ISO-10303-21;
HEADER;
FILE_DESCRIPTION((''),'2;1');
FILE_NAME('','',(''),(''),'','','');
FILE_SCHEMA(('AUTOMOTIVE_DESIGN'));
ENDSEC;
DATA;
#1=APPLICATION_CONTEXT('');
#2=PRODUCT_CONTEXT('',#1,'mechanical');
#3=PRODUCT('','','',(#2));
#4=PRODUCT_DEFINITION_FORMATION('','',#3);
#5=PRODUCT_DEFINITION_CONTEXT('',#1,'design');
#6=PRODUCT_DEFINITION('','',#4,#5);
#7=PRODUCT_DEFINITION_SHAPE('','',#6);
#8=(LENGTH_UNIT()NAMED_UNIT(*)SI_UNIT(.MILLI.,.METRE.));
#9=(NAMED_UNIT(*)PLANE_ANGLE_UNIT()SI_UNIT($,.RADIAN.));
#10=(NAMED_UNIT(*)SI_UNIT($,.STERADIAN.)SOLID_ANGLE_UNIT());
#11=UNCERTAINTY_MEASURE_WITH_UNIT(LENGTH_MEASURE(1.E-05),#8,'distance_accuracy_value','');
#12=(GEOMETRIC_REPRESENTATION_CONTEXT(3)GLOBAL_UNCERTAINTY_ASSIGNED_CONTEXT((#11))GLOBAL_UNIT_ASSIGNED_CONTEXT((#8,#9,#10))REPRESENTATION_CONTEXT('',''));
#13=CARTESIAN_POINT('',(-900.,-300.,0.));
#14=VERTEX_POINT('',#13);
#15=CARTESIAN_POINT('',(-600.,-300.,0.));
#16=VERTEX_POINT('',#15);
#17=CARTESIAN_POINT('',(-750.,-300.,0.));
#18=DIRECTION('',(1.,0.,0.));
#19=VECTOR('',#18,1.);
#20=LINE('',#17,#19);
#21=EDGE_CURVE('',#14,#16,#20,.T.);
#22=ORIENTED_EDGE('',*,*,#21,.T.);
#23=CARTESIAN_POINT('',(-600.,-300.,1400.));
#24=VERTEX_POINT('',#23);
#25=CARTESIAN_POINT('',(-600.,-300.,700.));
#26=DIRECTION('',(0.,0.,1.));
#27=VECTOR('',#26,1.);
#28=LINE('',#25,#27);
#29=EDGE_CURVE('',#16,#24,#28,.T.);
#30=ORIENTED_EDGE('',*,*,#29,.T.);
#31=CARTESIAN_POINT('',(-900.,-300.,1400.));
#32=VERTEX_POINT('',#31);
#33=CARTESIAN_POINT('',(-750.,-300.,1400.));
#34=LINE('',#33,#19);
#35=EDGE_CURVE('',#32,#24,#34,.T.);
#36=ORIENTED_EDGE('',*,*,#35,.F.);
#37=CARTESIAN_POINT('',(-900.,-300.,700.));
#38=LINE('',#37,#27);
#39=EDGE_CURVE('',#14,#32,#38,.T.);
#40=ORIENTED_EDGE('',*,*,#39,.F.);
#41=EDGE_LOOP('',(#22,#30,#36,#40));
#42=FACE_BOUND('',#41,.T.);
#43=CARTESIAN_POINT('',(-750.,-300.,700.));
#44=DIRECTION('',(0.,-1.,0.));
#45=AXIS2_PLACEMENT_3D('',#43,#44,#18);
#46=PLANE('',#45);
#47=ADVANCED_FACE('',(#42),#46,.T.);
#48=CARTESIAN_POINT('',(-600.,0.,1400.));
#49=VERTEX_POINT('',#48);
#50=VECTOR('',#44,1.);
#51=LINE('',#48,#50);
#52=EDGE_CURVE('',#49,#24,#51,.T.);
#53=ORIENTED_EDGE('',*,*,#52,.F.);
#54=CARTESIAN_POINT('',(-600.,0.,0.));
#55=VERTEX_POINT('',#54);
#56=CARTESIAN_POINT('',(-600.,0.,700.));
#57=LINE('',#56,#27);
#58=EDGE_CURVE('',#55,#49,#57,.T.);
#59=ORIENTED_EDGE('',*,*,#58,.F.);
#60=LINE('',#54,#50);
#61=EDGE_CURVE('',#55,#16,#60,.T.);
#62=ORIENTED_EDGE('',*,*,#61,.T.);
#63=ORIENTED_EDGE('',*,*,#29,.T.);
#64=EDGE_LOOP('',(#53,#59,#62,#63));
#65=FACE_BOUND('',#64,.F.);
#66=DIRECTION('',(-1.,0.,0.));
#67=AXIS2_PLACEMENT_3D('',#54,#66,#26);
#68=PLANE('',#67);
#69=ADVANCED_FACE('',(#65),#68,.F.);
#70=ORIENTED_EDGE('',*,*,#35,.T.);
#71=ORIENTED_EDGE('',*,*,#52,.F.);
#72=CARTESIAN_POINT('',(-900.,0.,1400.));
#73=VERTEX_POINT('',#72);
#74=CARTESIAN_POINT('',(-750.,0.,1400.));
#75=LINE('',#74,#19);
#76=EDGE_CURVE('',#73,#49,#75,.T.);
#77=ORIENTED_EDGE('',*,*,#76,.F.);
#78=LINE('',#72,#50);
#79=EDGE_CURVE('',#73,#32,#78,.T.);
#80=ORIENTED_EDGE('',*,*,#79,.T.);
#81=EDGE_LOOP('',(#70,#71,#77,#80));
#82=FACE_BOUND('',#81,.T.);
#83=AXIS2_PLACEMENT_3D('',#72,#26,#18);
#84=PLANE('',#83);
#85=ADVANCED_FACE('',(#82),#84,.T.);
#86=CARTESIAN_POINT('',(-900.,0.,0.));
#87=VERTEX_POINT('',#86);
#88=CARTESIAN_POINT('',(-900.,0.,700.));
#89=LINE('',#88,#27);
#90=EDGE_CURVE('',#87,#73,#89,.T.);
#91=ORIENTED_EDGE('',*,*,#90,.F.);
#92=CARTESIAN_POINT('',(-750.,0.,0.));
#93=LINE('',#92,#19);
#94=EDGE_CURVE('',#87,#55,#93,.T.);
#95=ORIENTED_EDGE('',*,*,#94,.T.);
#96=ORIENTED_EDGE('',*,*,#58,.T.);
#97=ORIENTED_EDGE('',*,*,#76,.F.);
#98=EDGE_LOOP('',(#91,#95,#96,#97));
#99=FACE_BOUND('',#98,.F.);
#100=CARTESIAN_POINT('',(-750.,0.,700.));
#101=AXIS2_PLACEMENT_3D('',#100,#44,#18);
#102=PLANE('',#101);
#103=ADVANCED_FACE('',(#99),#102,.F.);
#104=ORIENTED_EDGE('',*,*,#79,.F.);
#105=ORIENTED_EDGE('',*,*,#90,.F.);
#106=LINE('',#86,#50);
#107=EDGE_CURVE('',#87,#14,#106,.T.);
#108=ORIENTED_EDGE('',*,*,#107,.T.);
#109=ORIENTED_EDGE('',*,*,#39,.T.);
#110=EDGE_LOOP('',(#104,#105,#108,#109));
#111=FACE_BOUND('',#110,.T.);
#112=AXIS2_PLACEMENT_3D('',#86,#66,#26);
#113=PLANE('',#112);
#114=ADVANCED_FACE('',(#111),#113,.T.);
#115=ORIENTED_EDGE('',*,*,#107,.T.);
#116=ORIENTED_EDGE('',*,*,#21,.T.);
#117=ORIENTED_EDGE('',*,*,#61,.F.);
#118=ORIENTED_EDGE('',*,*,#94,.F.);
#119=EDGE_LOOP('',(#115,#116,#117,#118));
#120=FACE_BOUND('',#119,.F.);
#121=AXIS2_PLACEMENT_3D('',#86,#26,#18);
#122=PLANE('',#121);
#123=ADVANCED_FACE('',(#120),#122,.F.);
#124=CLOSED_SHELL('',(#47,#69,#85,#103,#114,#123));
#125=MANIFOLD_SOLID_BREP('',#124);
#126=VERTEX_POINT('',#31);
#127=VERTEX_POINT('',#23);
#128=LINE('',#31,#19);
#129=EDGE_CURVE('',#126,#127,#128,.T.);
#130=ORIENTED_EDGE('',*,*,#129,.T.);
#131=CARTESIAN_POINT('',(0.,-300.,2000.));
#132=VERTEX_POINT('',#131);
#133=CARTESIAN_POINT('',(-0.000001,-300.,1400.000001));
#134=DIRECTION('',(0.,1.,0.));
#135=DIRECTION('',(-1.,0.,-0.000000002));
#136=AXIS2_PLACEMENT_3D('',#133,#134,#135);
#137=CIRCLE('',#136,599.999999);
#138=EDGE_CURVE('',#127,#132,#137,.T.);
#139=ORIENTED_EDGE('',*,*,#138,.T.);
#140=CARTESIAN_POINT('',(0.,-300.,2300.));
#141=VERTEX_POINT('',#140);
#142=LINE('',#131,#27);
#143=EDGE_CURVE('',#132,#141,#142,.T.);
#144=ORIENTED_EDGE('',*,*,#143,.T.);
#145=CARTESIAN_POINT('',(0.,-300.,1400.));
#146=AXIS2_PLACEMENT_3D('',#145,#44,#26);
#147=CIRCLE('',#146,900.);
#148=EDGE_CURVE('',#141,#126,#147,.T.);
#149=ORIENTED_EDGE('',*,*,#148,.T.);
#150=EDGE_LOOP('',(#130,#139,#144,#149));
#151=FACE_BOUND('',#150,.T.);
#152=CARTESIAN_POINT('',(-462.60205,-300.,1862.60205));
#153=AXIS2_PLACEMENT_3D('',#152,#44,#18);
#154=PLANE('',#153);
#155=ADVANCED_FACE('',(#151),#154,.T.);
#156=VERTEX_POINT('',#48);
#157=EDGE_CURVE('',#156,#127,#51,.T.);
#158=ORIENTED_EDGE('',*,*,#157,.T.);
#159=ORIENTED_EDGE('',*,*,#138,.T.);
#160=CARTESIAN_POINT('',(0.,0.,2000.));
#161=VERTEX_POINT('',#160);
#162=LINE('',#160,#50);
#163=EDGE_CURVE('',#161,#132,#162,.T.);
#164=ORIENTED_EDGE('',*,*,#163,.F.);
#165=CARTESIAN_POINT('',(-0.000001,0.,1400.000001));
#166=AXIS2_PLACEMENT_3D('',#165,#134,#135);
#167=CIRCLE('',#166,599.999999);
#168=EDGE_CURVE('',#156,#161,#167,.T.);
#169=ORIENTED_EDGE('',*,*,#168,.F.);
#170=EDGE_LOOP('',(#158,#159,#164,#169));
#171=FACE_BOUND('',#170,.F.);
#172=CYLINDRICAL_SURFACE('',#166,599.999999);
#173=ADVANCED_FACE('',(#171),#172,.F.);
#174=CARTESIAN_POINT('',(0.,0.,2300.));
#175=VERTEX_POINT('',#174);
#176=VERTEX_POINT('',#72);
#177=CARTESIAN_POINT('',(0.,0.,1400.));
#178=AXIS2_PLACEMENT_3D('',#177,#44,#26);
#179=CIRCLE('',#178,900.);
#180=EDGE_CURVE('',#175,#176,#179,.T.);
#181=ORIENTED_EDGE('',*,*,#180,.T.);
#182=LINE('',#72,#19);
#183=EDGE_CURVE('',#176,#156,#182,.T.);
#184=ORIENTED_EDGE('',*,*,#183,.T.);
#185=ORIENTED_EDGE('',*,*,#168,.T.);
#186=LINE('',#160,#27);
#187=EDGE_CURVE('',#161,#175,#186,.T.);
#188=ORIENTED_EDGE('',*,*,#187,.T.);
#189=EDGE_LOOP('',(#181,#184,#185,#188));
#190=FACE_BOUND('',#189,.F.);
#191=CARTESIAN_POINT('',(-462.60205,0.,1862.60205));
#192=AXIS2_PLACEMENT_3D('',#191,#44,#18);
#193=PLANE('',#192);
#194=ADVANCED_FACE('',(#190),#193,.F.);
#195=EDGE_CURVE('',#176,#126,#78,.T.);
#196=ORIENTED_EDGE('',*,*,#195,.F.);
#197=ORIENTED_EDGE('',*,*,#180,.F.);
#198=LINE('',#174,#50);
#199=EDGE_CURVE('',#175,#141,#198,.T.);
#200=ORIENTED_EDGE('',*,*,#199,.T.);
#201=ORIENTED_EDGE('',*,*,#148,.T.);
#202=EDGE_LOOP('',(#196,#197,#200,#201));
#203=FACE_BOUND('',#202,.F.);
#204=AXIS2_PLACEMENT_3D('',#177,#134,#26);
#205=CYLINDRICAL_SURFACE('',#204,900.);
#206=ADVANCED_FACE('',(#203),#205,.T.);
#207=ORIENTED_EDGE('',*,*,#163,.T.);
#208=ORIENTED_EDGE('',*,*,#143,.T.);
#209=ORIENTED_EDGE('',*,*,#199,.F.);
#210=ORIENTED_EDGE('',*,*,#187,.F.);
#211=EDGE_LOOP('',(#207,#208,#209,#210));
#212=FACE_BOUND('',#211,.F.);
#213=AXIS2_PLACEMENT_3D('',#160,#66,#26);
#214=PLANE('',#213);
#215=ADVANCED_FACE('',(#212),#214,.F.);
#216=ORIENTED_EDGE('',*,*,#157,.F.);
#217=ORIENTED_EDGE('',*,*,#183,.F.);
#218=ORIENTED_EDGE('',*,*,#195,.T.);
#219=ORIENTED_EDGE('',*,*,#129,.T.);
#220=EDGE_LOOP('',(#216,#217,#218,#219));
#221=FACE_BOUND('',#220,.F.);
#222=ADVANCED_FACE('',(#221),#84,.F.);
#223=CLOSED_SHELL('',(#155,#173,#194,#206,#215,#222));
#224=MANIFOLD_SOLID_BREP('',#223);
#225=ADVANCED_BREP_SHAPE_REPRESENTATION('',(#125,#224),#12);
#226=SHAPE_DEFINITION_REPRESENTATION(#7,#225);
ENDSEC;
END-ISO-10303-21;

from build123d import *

# Parameters (mm, degrees)
F0_W     = 300
F0_H     = 1400
F1_DEPTH = 300
F2_DEPTH = 300


with BuildPart() as f1:
    # F0 (on Front) → F1 (new body)
    with BuildSketch(Plane.XZ):
        with Locations((-750, 700)):
            Rectangle(F0_W, F0_H)
    extrude(amount=F1_DEPTH)


with BuildPart() as f2:
    # F0 (on Front) → F2 (new body)
    with BuildSketch(Plane.XZ):
        with BuildLine():
            Line((-900, 1400), (-600, 1400))
            ThreePointArc((-600, 1400), (-424.264069, 1824.264069), (0, 2000))
            Line((0, 2000), (0, 2300))
            ThreePointArc((0, 2300), (-636.396103, 2036.396103), (-900, 1400))
        make_face()
    extrude(amount=F2_DEPTH)


solid = Compound([f1.part, f2.part])
